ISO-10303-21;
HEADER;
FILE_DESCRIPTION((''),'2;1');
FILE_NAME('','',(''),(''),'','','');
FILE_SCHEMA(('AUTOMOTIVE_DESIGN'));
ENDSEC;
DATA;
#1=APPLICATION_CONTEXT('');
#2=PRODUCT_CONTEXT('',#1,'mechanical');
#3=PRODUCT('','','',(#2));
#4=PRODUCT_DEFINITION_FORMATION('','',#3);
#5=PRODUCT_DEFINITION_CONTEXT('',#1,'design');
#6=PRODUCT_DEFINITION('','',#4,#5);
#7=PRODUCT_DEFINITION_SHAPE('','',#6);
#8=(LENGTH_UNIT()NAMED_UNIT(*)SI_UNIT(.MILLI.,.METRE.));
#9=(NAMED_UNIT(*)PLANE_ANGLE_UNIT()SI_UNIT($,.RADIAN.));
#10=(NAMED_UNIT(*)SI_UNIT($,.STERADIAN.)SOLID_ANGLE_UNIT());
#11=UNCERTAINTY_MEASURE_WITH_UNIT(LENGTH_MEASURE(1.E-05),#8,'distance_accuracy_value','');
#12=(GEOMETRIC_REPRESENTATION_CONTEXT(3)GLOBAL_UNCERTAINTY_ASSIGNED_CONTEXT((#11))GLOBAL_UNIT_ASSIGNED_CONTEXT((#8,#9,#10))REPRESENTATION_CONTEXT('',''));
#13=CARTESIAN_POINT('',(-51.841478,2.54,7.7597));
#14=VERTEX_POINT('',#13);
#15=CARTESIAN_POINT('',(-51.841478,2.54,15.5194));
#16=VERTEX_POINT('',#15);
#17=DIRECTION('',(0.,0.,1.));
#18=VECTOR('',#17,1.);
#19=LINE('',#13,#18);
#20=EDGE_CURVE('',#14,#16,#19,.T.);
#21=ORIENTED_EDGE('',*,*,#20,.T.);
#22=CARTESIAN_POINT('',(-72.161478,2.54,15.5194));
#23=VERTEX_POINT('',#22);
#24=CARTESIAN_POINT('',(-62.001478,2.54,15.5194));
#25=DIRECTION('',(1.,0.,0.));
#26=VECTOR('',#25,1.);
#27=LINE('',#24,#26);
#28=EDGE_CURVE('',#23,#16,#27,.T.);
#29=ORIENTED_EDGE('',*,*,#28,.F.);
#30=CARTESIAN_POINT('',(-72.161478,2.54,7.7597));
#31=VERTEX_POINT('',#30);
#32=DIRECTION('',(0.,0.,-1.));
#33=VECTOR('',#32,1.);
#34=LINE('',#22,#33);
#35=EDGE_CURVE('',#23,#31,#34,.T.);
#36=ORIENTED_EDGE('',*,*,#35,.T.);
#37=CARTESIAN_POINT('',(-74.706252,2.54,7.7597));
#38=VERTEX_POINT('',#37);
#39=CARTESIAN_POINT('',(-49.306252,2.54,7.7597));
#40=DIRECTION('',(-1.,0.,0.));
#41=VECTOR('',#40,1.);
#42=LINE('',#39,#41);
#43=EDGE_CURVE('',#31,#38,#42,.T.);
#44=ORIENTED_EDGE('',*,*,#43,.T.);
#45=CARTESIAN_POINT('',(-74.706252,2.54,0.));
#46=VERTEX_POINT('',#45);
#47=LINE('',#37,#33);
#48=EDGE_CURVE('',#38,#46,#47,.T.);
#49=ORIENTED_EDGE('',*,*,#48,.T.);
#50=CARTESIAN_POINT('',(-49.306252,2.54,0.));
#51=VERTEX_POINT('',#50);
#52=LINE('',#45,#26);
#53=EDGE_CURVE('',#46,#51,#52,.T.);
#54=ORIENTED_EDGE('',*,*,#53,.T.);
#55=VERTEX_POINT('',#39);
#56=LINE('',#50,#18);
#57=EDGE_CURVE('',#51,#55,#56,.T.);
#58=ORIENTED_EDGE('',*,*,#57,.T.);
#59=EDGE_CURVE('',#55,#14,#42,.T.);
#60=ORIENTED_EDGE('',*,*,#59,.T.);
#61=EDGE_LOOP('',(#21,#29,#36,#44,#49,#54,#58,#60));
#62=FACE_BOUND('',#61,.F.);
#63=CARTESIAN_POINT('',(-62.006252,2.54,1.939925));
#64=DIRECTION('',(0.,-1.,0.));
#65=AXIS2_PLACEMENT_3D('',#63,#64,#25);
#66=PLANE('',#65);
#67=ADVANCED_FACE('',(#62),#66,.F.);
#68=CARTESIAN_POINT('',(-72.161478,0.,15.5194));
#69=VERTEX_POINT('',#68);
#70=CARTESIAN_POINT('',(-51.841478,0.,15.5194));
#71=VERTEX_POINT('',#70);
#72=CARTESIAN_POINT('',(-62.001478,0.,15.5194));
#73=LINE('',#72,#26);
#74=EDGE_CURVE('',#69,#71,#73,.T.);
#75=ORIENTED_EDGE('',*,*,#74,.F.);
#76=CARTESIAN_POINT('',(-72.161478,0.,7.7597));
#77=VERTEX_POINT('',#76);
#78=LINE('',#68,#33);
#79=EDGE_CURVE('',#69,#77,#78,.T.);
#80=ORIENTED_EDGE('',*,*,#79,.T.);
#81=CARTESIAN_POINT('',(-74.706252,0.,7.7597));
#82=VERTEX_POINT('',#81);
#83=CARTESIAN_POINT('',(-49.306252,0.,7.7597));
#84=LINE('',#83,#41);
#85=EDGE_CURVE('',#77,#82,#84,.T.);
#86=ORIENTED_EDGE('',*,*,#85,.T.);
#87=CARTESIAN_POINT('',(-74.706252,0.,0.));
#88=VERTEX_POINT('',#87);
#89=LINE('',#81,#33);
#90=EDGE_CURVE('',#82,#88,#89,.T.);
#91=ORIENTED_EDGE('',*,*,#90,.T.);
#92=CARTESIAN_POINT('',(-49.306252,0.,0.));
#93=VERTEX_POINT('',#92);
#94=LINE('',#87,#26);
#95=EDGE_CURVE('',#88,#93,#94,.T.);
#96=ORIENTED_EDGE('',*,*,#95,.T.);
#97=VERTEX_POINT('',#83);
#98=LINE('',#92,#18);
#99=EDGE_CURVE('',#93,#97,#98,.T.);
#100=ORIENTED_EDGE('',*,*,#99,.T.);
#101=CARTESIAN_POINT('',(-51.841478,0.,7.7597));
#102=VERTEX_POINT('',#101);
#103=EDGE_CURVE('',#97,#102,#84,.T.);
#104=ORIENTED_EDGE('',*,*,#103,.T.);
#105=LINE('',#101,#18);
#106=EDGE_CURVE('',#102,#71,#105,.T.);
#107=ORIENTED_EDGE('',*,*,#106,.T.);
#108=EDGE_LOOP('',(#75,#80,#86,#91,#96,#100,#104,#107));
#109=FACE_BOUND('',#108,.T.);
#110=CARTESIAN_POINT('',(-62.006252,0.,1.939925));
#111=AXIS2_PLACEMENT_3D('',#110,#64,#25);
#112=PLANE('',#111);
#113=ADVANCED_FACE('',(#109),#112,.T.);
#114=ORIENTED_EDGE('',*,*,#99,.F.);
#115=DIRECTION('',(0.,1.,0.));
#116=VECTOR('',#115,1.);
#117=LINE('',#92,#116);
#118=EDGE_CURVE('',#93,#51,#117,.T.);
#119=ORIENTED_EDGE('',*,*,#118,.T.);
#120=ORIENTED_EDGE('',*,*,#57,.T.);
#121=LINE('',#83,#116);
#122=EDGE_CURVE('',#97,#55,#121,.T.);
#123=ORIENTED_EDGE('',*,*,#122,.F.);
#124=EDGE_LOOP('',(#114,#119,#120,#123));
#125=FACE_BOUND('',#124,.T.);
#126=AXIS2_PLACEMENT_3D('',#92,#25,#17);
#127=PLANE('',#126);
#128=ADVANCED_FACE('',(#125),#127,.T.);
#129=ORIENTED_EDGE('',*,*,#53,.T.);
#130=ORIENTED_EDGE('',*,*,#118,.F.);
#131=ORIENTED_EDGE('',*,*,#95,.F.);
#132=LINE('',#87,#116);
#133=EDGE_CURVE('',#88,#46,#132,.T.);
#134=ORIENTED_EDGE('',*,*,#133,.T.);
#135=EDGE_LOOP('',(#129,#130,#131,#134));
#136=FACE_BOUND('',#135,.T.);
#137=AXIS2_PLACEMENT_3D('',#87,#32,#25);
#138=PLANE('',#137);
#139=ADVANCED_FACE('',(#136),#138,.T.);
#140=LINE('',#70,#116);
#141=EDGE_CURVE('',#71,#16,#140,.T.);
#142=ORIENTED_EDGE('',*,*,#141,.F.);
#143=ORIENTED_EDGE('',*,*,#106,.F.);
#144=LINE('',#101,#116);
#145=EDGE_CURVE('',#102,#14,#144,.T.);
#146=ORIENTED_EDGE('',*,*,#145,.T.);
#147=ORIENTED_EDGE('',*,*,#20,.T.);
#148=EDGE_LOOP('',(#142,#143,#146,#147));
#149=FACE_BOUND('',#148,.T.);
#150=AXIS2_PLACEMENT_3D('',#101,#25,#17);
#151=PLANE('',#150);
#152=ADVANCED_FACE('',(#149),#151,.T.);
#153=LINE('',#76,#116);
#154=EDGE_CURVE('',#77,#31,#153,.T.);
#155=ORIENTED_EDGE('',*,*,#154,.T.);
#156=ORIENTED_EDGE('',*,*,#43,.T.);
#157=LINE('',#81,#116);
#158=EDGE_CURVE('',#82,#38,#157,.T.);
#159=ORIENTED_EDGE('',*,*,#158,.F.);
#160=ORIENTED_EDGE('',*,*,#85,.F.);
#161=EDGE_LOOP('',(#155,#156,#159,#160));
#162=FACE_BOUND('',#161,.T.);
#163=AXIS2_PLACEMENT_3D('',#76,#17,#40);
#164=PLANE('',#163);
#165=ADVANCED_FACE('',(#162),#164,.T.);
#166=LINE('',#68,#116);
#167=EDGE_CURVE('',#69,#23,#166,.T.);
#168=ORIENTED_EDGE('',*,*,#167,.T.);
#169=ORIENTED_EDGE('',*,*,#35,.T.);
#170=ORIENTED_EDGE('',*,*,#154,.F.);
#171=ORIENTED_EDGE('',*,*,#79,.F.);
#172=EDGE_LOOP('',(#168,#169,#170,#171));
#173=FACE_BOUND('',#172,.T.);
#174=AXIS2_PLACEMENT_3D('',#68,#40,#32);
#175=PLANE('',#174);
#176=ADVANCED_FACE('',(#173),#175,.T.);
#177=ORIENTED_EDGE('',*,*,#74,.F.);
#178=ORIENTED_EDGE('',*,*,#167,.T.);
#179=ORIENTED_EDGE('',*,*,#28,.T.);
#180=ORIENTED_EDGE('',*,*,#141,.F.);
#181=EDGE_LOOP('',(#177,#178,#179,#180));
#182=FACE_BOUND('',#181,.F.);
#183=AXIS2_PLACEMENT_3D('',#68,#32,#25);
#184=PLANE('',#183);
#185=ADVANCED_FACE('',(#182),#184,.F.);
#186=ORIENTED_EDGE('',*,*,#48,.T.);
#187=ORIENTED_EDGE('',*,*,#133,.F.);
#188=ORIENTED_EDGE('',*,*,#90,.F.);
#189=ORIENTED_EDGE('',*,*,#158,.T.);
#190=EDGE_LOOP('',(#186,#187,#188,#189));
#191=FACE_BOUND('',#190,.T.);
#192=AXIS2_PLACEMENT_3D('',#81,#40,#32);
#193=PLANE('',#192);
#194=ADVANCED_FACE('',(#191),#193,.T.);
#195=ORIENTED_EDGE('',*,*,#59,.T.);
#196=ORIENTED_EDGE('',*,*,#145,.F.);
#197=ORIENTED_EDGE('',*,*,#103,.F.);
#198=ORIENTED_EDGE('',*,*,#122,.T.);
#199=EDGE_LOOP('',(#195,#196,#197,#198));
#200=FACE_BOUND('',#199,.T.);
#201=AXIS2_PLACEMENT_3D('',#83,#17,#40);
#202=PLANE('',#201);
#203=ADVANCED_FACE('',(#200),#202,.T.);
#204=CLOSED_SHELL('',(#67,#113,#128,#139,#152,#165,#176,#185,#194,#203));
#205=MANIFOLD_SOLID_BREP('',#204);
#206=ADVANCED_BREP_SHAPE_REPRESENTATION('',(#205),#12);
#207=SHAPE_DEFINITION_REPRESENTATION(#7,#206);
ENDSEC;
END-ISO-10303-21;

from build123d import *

# Parameters (mm, degrees)
F0_W     = 20.32
F0_H     = 2.571502
F0_H_2   = 2.610788
F1_DEPTH = 2.54


with BuildPart() as f1:
    # F0 (on Front) → F1 (new body)
    with BuildSketch(Plane.XZ):
        Polygon((-74.706252, 3.87985), (-74.706252, 0), (-62.006252, 0), (-49.306252, 0), (-49.306252, 3.87985), align=None)
        Polygon((-74.706252, 7.7597), (-74.706252, 3.87985), (-49.306252, 3.87985), (-49.306252, 7.7597), (-51.841478, 7.7597), (-62.006252, 7.7597), (-72.161478, 7.7597), align=None)
        Polygon((-72.161478, 10.33711), (-72.161478, 7.7597), (-62.006252, 7.7597), (-51.841478, 7.7597), (-51.841478, 10.33711), align=None)
        with Locations((-62.001478, 11.622861)):
            Rectangle(F0_W, F0_H)
        with Locations((-62.001478, 14.214006)):
            Rectangle(F0_W, F0_H_2)
    extrude(amount=-F1_DEPTH)


solid = f1.part
